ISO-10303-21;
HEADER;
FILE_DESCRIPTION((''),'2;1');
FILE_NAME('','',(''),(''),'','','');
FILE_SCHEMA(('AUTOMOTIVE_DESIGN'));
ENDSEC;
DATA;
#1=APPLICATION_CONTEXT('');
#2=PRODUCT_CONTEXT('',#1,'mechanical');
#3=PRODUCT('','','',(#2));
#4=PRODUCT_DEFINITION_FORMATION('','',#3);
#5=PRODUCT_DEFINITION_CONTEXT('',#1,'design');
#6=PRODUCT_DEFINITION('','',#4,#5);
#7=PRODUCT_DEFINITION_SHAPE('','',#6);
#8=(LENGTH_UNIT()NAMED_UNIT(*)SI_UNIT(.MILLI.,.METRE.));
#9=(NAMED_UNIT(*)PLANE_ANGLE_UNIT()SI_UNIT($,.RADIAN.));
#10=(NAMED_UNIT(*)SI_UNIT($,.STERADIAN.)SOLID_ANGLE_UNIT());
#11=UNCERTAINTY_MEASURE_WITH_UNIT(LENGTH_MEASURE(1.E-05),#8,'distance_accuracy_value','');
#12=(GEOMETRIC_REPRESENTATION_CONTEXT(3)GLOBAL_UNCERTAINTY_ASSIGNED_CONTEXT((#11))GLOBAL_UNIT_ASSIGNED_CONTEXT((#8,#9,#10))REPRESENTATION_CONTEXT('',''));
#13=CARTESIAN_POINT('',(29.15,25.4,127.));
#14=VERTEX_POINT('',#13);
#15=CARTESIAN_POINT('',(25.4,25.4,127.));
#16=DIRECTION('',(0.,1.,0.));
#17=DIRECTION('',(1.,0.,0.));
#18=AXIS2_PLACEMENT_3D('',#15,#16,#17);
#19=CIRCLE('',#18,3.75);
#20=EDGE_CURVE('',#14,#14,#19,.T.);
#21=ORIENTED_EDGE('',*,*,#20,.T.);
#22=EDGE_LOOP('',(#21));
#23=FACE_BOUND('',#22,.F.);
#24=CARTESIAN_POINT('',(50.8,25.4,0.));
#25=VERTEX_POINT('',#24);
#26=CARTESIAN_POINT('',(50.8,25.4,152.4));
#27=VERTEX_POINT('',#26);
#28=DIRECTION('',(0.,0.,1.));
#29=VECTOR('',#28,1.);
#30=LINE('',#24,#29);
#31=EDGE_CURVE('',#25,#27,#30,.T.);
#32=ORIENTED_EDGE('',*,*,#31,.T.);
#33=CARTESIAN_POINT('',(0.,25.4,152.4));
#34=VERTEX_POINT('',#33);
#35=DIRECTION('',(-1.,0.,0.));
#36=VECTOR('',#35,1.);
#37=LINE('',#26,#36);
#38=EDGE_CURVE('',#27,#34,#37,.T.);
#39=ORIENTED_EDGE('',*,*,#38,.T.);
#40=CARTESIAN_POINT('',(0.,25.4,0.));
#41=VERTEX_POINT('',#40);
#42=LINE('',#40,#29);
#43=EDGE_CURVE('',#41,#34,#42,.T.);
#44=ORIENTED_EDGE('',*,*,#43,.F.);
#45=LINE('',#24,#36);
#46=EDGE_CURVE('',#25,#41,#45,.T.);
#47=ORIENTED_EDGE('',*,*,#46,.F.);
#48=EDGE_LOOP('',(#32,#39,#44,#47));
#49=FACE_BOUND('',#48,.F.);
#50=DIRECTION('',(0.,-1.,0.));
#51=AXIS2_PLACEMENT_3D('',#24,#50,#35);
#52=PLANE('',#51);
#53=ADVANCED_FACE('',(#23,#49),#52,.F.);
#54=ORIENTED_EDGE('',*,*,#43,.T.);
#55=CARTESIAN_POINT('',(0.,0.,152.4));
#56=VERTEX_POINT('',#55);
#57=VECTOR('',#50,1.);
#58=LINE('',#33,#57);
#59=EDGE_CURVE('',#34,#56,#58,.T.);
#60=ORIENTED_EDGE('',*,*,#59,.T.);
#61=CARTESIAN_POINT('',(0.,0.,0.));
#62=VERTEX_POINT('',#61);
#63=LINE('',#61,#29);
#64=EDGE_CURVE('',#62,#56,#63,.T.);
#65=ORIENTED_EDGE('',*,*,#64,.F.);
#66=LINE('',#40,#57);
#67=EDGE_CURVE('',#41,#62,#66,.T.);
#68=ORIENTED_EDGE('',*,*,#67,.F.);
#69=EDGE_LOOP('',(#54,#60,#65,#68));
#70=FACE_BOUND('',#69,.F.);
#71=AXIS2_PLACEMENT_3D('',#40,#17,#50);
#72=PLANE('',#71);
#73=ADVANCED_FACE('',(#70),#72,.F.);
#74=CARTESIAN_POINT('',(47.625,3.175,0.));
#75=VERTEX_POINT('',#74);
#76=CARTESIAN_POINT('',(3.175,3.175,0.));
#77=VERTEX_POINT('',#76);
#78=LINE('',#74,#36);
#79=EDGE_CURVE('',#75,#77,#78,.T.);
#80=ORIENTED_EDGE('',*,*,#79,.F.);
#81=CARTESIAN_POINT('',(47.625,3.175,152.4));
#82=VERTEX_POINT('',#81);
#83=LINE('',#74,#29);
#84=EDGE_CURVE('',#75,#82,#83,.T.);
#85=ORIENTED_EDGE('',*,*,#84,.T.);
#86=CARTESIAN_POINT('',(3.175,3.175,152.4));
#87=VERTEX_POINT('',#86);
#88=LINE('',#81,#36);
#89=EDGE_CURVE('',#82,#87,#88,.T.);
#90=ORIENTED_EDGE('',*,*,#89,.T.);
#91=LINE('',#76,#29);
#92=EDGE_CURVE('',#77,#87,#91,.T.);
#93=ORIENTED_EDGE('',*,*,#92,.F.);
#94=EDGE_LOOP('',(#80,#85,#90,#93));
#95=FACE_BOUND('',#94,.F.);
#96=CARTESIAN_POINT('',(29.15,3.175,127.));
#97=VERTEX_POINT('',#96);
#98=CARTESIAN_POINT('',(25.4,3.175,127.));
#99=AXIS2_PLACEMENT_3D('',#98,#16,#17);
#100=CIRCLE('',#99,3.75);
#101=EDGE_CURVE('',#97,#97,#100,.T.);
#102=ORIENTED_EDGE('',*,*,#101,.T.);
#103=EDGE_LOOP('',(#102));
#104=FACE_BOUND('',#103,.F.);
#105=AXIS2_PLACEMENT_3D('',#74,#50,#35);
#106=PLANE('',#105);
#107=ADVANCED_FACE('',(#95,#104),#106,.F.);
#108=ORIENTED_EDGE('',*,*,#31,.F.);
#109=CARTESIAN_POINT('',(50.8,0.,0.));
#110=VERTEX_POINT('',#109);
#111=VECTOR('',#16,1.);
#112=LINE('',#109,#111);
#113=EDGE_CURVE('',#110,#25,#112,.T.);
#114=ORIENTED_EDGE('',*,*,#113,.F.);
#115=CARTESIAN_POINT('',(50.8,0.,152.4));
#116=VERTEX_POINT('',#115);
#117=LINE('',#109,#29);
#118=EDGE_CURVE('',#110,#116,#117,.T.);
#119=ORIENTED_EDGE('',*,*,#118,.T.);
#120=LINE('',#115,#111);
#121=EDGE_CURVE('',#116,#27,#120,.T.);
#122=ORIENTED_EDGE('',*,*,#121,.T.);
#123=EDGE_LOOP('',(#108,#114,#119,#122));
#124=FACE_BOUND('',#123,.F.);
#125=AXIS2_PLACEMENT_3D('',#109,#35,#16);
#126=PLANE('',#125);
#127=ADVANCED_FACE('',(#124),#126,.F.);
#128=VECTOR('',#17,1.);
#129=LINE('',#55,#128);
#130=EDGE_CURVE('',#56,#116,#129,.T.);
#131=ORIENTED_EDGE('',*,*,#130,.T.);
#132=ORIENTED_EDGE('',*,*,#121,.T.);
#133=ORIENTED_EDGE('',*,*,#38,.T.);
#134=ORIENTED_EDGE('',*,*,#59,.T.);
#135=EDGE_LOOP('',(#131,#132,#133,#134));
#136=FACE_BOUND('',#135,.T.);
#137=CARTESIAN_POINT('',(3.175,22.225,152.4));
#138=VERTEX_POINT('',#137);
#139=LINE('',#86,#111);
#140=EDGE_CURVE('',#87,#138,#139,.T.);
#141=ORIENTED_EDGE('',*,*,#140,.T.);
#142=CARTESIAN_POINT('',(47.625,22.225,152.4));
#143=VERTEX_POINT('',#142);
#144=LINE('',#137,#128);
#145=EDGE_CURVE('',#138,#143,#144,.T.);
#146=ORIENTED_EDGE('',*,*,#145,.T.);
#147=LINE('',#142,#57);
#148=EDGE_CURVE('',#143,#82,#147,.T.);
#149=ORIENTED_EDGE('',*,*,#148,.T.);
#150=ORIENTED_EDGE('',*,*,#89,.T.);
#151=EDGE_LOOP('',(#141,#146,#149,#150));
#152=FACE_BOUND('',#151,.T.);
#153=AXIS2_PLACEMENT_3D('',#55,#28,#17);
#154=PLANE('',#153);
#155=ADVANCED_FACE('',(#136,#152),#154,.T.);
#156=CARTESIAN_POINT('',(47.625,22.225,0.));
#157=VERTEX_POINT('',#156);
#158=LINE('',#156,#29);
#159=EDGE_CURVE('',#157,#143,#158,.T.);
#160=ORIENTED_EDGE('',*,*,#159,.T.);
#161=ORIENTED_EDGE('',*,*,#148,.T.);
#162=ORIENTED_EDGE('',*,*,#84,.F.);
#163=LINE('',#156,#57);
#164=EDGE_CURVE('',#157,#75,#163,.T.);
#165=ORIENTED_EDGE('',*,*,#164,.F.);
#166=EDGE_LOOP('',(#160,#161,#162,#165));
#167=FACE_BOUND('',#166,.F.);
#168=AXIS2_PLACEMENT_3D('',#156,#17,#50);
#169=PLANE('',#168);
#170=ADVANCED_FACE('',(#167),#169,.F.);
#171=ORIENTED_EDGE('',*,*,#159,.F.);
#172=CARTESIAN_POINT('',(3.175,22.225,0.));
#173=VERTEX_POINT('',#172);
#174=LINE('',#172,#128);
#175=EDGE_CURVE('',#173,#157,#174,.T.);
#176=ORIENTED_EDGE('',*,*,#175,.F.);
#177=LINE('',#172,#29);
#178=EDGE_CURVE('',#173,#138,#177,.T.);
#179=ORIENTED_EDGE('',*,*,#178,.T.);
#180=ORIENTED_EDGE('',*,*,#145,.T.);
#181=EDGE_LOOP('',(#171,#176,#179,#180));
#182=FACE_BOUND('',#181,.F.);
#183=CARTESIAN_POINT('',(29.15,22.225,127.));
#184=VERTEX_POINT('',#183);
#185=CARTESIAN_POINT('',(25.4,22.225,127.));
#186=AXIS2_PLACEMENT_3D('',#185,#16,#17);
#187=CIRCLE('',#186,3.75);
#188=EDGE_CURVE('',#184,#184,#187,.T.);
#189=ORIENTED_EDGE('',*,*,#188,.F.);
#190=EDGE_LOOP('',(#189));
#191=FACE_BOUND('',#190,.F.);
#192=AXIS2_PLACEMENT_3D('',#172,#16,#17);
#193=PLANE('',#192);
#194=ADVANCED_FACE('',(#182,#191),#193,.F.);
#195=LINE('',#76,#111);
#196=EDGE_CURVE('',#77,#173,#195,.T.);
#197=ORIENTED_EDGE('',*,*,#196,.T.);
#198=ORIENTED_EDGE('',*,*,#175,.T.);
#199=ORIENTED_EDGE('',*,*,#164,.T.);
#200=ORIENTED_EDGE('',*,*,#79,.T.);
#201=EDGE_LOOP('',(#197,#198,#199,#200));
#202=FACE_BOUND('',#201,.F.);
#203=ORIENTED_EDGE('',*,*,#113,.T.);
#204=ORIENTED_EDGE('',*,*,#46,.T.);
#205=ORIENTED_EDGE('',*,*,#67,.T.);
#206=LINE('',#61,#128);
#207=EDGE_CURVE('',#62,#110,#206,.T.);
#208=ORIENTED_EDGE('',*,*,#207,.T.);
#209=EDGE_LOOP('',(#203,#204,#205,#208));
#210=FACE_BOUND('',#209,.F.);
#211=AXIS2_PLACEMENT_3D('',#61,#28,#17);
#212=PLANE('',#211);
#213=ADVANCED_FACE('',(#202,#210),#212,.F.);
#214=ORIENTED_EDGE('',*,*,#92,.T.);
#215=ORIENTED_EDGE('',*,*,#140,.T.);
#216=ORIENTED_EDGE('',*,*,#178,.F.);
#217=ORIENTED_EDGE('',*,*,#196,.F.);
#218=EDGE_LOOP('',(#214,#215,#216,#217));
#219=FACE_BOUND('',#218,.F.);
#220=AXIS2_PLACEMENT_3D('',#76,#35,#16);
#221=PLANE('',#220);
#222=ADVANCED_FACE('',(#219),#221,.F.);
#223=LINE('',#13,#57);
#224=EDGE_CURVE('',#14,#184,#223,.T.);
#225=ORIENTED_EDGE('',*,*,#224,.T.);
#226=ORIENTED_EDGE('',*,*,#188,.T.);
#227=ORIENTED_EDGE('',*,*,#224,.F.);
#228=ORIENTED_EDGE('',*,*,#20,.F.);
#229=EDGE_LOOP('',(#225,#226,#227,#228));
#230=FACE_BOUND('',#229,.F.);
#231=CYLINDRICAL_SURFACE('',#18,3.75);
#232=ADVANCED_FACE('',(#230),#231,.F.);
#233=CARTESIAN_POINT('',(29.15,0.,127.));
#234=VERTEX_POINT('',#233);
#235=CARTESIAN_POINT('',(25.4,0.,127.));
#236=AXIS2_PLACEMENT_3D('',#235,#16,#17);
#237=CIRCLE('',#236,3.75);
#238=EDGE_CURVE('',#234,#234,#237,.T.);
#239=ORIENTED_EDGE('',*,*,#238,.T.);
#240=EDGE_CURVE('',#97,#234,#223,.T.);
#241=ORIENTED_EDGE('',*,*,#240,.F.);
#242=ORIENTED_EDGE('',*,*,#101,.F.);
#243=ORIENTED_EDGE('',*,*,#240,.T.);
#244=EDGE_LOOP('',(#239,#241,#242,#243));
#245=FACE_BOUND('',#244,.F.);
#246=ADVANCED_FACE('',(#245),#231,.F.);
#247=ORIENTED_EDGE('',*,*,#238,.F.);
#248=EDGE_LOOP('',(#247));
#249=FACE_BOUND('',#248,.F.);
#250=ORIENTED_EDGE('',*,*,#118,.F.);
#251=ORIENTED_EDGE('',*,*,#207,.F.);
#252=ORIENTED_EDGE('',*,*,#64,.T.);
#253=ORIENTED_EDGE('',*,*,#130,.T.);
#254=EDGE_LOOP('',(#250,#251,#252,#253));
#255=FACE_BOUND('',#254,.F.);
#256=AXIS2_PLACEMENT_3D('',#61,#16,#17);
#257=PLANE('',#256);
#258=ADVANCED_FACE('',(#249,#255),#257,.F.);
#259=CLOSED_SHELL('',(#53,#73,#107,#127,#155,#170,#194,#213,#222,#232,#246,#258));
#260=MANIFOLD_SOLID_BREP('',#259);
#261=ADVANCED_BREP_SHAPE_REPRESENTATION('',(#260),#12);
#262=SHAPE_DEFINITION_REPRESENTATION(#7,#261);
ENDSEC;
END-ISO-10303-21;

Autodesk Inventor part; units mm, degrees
ref_plane "YZ Plane" through (0, 0, 0) normal (1, 0, 0) x (0, 1, 0)
ref_plane "XZ Plane" through (0, 0, 0) normal (0, 1, 0) x (-1, 0, 0)
sketch "Sketch1" plane through (0, 0, 0) normal (0, 0, 1) x (1, 0, 0)
  line L0 (0, 0) -> (50.8, 0)
  line L1 (50.8, 0) -> (50.8, 25.4)
  line L2 (50.8, 25.4) -> (0, 25.4)
  line L3 (0, 25.4) -> (0, 0)
  line L4 (3.175, 22.225) -> (47.625, 22.225)
  line L5 (47.625, 22.225) -> (47.625, 3.175)
  line L6 (47.625, 3.175) -> (3.175, 3.175)
  line L7 (3.175, 3.175) -> (3.175, 22.225)
  dimension "d0" = 50.8
  dimension "d1" = 25.4
  dimension "d2" = 3.175
extrude "Extrusion1" add sketch "Sketch1" along normal blind 152.4
sketch "Sketch2" plane through (0, 25.4, 0) normal (0, 1, 0) x (1, 0, 0)
  line L0 (0, -152.4) -> (50.8, -152.4) projected
  line L1 (0, 0) -> (0, -152.4) projected
  circle A0 centre (25.4, -127) radius 3.75
  dimension "d5" = 7.5
  dimension "d6" = 25.4
  dimension "d7" = 25.4
extrude "Extrusion2" cut sketch "Sketch2" against normal blind 76.2
ref_plane "Work Plane1" through (0, 12.7, 0) normal (0, -1, 0) x (1, 0, 0)
properties part number "Spinner brace" material "Aluminum 6061"
